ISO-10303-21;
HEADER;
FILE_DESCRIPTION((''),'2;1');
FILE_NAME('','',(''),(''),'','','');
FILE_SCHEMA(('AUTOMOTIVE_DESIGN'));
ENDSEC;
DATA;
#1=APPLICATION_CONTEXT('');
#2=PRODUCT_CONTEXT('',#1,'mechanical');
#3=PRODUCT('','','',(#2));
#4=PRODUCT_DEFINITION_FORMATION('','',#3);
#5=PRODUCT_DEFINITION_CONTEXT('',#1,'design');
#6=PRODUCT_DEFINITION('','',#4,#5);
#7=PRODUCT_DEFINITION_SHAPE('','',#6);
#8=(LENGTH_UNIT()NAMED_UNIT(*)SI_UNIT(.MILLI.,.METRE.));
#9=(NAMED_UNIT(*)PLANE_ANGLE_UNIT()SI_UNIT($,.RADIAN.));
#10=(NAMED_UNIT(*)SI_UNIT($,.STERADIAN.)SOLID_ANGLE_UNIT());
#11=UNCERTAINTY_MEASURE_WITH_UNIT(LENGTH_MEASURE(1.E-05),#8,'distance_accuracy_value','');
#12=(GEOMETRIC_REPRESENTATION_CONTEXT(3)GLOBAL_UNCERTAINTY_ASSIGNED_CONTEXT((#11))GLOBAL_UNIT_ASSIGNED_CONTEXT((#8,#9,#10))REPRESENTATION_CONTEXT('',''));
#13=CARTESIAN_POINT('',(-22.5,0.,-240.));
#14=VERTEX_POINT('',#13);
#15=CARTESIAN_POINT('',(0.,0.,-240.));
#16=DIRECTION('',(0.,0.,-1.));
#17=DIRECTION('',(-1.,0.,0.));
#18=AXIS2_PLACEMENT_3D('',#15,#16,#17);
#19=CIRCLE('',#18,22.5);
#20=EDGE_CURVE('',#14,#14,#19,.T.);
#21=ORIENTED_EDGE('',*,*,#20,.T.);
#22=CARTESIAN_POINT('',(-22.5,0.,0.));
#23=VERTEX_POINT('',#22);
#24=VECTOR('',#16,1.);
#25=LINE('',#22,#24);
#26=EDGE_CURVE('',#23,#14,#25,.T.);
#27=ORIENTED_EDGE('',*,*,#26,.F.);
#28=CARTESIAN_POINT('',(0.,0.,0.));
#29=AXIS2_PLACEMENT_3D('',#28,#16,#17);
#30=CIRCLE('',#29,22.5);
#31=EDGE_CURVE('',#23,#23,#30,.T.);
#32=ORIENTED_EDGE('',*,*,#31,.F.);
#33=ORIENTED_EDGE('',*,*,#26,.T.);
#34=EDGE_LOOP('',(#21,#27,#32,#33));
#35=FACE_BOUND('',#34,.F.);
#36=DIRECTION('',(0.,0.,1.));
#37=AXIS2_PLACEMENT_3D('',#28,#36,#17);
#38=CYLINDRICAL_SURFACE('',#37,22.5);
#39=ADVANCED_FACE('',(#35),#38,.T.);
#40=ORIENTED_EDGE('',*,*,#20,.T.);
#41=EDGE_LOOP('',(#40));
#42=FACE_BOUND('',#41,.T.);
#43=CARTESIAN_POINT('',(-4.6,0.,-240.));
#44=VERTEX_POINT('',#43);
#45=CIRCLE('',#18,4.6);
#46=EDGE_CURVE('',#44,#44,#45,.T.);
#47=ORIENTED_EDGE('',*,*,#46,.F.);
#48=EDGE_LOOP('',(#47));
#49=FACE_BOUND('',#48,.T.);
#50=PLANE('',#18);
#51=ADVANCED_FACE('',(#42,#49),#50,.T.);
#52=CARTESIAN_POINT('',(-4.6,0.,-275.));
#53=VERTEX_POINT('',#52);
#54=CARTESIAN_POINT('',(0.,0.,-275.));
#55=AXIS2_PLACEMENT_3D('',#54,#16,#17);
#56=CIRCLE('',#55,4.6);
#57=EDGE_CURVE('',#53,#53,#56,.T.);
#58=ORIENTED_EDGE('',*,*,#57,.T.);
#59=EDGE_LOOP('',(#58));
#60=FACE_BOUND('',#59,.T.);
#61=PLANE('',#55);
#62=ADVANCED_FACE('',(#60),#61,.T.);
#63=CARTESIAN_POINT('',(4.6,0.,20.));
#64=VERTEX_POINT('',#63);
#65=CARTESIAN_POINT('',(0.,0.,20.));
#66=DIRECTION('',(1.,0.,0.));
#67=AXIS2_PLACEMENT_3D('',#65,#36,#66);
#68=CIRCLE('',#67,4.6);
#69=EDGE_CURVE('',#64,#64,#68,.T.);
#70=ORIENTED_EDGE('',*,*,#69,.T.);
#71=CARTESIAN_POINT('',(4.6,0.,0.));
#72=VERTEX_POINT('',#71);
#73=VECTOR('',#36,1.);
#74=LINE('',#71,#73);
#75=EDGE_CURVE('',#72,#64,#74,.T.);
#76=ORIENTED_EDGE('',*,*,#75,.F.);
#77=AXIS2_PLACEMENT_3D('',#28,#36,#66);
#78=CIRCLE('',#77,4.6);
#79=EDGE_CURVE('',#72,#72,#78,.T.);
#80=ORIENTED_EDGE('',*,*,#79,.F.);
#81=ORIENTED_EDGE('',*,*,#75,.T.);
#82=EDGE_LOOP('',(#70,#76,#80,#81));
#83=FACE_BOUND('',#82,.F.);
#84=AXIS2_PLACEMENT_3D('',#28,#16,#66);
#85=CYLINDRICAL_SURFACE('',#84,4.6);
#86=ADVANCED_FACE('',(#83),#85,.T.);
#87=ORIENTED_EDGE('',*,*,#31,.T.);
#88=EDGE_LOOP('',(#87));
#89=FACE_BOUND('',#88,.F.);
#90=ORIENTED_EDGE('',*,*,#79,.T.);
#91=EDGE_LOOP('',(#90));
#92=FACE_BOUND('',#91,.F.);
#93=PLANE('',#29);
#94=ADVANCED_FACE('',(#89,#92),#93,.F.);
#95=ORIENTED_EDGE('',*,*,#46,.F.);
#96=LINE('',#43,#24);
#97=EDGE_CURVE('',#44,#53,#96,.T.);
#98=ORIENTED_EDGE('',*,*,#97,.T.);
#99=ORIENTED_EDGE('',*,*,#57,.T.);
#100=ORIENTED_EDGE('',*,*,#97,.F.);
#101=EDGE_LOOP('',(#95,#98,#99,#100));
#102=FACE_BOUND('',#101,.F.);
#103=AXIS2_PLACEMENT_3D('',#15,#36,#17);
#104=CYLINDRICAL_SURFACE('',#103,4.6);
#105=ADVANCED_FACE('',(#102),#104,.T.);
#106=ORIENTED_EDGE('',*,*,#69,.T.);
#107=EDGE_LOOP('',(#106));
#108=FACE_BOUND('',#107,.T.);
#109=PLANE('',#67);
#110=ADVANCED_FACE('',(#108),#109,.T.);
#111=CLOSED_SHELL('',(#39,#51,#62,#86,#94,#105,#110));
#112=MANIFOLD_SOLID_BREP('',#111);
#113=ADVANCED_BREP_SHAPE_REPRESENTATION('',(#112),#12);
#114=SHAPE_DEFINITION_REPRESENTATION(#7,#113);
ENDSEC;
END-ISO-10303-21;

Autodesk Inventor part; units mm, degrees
ref_plane "YZ Plane" through (0, 0, 0) normal (1, 0, 0) x (0, 1, 0)
ref_plane "XZ Plane" through (0, 0, 0) normal (0, 1, 0) x (-1, 0, 0)
ref_plane "XY Plane" through (0, 0, 0) normal (0, 0, 1) x (1, 0, 0)
sketch "草图1" plane through (0, 0, 0) normal (0, 0, 1) x (1, 0, 0)
  circle A0 centre (0, 0) radius 4.6
  dimension "d0" = 9.2
extrude "拉伸1" add sketch "草图1" along normal blind 20
sketch "草图2" plane through (0, 0, 0) normal (0, 0, -1) x (-1, 0, 0)
  circle A0 centre (0, 0) radius 4.6 projected
  circle A1 centre (0, 0) radius 22.5
  dimension "d3" = 45
extrude "拉伸2" add sketch "草图2" along normal blind 240 contours A0 | A1
sketch "草图3" plane through (0, 0, -240) normal (0, 0, -1) x (-1, 0, 0)
  circle A0 centre (0, 0) radius 4.6 projected
  circle A1 centre (0, 0) radius 4.6
extrude "拉伸3" add sketch "草图3" along normal blind 35
properties part number "滚轴1"
